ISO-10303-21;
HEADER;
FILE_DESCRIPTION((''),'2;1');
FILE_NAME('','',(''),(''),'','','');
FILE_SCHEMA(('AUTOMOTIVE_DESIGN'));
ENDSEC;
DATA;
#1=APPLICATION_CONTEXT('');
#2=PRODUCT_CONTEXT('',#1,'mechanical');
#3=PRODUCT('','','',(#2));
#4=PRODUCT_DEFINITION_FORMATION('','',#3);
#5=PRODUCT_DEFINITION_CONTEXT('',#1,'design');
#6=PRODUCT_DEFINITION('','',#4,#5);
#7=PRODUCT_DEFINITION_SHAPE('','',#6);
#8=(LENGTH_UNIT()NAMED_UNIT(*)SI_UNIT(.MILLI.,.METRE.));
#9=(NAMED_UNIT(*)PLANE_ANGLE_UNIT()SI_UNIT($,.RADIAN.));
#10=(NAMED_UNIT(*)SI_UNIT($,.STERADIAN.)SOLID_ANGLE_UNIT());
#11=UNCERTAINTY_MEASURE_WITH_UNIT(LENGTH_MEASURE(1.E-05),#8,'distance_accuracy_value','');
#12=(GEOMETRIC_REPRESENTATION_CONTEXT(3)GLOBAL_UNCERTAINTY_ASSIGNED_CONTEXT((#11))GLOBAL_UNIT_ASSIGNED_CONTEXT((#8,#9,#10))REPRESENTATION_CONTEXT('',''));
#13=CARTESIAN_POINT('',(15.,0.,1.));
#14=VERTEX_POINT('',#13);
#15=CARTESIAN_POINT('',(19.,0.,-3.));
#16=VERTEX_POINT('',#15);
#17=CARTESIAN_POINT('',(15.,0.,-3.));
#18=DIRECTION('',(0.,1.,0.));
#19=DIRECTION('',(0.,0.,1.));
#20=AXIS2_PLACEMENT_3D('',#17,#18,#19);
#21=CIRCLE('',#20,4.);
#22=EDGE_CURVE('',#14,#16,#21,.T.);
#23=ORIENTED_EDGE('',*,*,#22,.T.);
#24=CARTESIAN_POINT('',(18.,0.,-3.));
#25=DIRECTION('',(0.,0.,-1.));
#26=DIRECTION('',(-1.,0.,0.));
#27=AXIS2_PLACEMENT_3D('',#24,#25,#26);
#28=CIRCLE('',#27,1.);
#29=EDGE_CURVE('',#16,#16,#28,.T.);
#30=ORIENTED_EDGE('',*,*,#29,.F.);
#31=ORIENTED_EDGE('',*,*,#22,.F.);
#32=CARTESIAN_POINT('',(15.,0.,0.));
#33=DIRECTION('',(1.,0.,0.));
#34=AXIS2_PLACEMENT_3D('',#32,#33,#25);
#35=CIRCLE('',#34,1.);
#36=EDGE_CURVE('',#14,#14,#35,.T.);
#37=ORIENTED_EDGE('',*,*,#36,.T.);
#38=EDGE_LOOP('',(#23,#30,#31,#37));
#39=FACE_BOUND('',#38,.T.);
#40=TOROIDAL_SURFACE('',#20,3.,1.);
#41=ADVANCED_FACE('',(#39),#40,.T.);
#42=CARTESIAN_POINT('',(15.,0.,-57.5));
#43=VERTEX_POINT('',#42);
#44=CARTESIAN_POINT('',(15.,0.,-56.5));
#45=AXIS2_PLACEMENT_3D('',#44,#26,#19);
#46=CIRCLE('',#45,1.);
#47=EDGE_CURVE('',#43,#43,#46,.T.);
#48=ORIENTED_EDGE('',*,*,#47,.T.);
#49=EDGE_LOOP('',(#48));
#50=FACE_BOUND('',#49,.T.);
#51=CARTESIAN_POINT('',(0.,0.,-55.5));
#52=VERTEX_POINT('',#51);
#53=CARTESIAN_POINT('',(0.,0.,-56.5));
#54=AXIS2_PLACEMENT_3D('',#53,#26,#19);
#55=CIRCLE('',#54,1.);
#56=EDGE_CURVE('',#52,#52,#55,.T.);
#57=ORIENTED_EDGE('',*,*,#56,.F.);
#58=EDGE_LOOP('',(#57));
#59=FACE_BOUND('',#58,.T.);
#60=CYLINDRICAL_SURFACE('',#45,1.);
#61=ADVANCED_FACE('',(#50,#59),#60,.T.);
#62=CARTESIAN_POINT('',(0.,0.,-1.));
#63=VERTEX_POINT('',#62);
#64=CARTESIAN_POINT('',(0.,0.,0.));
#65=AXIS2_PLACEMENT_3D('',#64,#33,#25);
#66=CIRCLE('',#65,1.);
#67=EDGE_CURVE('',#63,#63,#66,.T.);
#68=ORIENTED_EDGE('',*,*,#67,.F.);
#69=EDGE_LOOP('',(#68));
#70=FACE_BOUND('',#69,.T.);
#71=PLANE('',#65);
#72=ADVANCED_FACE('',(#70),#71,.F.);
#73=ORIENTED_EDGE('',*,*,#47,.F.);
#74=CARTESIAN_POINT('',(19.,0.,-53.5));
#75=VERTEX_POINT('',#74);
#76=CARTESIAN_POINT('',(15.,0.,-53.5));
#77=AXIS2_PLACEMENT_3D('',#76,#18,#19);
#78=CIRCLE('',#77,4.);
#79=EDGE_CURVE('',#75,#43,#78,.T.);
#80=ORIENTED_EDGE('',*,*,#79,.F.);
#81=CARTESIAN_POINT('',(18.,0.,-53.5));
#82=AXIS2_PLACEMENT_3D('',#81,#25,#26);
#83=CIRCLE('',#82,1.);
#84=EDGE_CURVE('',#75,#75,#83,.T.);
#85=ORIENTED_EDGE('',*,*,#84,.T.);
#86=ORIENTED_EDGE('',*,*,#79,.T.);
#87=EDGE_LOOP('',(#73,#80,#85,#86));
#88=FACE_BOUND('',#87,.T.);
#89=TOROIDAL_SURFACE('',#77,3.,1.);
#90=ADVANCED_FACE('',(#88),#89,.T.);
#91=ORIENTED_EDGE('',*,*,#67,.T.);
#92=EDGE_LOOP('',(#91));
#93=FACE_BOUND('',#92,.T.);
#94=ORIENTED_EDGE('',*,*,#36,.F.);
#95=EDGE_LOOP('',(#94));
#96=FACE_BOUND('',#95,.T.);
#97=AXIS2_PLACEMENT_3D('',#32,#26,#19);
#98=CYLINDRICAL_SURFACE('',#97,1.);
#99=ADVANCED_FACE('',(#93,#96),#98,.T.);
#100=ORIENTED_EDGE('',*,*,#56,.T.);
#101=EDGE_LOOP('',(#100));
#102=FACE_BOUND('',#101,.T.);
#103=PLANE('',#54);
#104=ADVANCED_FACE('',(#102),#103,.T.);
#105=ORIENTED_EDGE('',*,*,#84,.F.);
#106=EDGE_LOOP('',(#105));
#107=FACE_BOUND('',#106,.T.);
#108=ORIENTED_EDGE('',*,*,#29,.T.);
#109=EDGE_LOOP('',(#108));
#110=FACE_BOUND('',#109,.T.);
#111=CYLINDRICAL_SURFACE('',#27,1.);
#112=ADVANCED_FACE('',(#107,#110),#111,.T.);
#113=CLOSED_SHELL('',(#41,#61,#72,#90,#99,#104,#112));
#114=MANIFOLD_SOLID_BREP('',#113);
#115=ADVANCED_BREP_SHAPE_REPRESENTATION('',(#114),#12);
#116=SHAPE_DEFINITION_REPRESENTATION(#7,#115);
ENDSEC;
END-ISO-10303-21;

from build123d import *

# Parameters (mm, degrees)
SKETCH_1_R = 1


with BuildPart() as part:
    # По траектории1: sweep along a curve in space
    with BuildLine() as sweep_1_path:
        Line((0, 0, 0), (15, 0, 0))
        ThreePointArc((15, 0, 0), (17.121320344, 0, -0.878679656), (18, 0, -3))
        Line((18, 0, -3), (18, 0, -53.5))
        ThreePointArc((18, 0, -53.5), (17.121320344, 0, -55.621320344), (15, 0, -56.5))
        Line((15, 0, -56.5), (0, 0, -56.5))
    # Эскиз1 → По траектории1 (sweep)
    with BuildSketch(Plane(origin=(0, 0, 0), x_dir=(0, 0, -1), z_dir=(1, 0, 0))):
        Circle(SKETCH_1_R)
    sweep(path=sweep_1_path.line)


solid = part.part
